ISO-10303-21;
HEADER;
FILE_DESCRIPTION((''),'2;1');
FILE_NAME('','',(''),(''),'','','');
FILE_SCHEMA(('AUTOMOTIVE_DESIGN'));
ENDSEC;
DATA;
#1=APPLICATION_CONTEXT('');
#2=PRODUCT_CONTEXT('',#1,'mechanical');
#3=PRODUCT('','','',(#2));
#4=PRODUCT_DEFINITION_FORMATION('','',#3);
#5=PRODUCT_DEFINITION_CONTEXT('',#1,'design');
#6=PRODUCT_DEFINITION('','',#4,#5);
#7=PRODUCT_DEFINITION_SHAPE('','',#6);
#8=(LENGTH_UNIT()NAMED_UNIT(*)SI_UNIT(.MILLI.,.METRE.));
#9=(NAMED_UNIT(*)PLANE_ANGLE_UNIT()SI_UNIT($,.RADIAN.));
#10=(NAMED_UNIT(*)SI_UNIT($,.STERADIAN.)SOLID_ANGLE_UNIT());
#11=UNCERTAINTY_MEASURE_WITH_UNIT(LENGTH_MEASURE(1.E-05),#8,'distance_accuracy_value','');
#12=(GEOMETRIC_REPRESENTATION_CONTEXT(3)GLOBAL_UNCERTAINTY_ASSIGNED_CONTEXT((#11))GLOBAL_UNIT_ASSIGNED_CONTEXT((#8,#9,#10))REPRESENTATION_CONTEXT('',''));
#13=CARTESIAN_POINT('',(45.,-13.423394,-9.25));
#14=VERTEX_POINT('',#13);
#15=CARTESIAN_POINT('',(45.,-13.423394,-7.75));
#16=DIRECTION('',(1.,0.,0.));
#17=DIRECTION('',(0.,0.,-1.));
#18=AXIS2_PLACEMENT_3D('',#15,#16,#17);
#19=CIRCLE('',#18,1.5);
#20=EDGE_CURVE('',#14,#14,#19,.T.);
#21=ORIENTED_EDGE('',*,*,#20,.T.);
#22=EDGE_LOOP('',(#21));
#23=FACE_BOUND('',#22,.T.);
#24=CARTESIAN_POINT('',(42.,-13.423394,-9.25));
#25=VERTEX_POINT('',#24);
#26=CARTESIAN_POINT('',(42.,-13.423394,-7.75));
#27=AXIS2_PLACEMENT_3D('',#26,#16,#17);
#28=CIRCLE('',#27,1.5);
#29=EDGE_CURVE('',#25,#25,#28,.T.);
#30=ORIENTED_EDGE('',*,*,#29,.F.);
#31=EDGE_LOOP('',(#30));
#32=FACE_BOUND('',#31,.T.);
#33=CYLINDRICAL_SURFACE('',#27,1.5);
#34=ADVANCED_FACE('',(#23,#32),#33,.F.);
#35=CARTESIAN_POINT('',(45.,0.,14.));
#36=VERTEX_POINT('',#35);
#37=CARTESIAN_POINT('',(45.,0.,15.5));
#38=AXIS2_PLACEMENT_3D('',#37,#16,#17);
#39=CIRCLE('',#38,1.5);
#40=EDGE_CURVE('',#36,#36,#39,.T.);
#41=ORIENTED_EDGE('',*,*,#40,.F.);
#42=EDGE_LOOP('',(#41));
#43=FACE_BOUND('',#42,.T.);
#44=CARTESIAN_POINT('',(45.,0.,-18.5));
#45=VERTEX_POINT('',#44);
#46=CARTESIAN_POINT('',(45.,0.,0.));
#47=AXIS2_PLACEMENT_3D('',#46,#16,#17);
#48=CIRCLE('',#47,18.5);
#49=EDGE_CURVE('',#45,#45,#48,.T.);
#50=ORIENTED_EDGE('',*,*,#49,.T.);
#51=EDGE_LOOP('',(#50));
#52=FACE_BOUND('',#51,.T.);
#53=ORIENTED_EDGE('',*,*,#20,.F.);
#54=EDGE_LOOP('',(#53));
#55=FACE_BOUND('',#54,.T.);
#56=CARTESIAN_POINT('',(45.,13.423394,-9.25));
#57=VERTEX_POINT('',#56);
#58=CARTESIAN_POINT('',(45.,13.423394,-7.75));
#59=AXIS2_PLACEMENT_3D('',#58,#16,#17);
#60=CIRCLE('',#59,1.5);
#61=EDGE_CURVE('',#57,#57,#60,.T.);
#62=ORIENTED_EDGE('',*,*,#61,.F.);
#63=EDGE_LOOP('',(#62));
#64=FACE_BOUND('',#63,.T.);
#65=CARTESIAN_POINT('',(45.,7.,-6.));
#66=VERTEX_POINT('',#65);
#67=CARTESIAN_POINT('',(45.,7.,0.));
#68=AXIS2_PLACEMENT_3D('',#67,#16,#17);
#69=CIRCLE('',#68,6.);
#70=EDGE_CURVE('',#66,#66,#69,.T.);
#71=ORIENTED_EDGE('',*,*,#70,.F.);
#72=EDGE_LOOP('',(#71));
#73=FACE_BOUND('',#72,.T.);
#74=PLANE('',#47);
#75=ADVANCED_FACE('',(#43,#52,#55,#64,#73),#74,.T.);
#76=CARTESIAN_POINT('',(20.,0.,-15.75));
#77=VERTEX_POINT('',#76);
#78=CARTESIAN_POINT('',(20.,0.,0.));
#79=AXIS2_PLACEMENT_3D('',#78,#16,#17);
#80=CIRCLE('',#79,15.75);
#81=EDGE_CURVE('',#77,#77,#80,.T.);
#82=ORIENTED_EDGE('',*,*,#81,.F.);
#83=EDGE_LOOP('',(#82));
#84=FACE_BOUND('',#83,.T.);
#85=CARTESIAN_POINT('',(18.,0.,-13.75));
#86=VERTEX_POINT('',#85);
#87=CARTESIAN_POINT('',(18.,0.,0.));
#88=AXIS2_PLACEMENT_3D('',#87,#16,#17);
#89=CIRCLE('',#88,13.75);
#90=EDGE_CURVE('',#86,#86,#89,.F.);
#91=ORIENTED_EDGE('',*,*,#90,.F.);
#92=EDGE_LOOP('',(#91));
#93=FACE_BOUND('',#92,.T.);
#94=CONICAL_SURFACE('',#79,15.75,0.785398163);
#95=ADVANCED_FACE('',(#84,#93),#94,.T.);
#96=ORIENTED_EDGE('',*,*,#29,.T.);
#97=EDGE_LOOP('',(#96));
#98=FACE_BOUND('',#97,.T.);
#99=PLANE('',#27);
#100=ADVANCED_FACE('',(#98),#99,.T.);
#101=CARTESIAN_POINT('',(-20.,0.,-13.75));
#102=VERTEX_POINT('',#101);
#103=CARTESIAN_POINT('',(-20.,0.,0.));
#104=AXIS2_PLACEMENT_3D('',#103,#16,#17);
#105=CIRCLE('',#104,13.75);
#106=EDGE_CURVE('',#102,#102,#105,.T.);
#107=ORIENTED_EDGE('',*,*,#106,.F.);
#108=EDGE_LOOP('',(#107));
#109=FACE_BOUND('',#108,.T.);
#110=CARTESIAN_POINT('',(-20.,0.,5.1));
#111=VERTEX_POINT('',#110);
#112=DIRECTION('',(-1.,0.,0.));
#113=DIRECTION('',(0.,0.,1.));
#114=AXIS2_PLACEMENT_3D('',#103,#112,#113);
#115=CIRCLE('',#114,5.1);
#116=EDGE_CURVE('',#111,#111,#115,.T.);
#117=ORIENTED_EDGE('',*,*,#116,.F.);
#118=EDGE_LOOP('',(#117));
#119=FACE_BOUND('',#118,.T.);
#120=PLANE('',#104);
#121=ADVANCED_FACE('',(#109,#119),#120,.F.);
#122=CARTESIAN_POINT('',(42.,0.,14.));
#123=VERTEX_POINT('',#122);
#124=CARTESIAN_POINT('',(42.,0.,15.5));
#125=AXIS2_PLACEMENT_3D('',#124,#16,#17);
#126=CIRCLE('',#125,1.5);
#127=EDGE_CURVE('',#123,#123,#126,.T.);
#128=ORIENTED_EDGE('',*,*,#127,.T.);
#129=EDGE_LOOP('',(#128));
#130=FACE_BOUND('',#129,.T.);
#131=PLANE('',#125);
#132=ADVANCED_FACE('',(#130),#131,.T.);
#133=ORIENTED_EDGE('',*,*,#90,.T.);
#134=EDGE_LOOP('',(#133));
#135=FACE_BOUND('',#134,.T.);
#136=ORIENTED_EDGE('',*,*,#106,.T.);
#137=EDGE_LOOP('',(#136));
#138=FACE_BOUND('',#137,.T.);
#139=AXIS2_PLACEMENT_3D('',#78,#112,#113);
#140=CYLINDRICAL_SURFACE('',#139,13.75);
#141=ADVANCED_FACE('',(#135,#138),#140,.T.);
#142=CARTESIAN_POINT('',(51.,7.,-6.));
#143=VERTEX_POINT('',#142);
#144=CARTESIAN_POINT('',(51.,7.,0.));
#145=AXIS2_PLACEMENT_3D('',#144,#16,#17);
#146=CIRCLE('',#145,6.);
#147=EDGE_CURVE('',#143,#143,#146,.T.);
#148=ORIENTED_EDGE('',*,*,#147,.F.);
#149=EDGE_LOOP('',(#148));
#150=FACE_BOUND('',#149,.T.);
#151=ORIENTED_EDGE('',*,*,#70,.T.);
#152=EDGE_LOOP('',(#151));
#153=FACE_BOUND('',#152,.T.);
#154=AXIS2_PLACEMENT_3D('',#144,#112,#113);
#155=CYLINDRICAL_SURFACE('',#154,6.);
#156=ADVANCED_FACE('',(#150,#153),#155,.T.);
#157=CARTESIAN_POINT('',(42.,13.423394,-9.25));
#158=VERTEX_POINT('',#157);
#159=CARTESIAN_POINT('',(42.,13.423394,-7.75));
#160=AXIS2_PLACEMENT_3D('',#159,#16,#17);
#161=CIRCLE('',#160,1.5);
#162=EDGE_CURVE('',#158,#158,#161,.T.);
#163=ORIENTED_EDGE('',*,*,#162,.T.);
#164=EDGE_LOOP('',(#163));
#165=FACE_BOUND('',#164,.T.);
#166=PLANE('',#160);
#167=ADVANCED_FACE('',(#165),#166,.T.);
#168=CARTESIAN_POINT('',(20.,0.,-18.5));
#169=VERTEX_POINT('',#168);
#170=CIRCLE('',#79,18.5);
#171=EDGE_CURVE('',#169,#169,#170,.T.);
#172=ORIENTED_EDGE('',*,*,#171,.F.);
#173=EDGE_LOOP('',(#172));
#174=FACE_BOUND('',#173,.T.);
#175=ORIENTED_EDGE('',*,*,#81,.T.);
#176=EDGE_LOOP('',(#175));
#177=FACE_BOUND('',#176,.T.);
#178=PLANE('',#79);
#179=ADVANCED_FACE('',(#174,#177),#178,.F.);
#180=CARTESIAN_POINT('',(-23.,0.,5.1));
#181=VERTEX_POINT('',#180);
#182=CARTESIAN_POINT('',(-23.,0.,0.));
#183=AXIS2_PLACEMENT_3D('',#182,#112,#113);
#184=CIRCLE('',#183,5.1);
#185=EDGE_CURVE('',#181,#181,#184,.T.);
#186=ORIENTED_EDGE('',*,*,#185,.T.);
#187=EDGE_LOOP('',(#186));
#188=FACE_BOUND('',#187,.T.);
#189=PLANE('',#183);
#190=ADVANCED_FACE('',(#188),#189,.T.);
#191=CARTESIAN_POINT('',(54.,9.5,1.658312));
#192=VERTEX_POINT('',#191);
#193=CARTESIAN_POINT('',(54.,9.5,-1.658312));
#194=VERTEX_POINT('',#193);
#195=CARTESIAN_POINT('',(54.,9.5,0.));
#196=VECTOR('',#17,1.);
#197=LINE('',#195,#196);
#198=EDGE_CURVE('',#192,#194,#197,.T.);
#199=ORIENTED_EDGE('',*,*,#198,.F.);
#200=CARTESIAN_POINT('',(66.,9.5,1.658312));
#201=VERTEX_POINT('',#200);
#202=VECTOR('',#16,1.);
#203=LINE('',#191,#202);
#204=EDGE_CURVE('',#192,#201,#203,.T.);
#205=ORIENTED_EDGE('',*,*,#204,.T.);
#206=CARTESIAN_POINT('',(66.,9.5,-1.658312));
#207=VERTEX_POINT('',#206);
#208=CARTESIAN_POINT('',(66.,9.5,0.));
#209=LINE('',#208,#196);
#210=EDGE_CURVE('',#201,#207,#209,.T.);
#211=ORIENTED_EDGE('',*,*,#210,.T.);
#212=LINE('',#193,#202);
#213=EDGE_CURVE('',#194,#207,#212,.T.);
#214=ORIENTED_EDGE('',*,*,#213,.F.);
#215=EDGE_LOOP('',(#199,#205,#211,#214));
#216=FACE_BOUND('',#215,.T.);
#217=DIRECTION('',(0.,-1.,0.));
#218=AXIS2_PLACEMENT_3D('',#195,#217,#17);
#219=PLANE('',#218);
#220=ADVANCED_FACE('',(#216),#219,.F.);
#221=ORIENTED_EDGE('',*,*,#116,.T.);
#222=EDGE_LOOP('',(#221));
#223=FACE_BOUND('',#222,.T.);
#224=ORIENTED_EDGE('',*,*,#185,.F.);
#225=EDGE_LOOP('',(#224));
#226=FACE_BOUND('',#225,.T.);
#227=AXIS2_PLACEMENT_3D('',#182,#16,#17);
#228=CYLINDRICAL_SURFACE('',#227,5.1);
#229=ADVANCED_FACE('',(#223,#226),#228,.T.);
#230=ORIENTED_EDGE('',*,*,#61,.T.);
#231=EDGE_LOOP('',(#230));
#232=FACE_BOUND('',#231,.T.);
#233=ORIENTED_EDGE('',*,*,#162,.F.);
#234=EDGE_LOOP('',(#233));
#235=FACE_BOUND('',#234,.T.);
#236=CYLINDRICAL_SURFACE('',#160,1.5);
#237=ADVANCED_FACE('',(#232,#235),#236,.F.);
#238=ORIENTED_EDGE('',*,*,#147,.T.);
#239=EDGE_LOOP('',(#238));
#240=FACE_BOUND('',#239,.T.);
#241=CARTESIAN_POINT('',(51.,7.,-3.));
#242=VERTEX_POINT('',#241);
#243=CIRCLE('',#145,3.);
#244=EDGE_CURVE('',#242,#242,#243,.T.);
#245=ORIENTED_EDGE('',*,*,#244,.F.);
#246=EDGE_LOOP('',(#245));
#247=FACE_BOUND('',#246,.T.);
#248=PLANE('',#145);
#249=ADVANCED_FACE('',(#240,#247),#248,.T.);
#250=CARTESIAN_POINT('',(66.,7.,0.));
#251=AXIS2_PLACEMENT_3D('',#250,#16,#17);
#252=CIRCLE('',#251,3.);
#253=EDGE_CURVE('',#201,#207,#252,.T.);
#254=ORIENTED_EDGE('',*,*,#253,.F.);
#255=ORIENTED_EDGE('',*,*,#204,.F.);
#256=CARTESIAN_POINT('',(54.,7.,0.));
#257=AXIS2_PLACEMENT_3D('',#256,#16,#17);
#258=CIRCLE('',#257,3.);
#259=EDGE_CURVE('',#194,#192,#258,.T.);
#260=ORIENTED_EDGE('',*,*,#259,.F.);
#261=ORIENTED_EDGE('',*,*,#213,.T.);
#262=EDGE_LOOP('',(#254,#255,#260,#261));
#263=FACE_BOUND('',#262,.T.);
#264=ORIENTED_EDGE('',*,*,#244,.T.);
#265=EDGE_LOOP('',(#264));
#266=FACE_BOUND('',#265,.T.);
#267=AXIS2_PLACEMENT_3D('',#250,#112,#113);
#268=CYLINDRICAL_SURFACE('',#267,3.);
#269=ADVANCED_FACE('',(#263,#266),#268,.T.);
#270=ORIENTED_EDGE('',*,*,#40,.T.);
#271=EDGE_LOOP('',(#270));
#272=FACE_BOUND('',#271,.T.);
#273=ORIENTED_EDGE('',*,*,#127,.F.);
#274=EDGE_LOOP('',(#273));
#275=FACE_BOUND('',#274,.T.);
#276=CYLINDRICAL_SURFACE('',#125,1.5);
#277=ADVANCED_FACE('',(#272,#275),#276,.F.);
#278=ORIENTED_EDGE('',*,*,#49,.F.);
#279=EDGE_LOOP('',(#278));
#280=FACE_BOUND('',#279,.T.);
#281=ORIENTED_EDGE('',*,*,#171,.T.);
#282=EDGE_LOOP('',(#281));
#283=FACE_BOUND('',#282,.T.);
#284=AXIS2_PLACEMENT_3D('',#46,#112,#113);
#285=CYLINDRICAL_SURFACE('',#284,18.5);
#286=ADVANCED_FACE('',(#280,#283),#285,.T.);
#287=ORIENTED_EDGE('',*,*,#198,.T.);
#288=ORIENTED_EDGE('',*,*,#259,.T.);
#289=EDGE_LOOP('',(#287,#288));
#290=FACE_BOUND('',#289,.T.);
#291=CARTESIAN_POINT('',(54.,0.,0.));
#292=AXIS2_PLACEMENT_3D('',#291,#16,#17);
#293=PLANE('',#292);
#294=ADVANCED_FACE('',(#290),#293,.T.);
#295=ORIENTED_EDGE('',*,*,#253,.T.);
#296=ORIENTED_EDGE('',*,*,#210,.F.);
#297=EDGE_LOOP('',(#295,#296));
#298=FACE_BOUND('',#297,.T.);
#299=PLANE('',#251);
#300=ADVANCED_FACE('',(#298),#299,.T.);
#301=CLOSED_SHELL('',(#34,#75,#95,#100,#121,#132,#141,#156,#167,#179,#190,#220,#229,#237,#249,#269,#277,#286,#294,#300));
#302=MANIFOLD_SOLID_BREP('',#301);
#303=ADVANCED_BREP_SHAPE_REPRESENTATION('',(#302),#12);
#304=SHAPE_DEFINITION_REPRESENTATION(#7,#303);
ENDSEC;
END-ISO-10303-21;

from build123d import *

# Parameters (mm, degrees)
SKETCH_1_R          = 13.75
EXTRUDE_1_DEPTH     = 20
SKETCH_2_R          = 5.1
EXTRUDE_2_DEPTH     = 3
SKETCH_3_R          = 18.5
EXTRUDE_3_DEPTH     = 25
SKETCH_4_R          = 6
EXTRUDE_4_DEPTH     = 6
SKETCH_5_R          = 3
EXTRUDE_5_DEPTH     = 15
CUT_EXTRUDE_1_DEPTH = 12
SKETCH_7_R          = 1.5
CUT_EXTRUDE_2_DEPTH = 3
CHAMFER_1_SIZE      = 2


with BuildPart() as part:
    # ｽｹｯﾁ1 → ﾎﾞｽ - 押し出し1 (new body, symmetric)
    with BuildSketch(Plane(origin=(0, 0, 0), x_dir=(0, 0, -1), z_dir=(1, 0, 0))):
        Circle(SKETCH_1_R)
    extrude(amount=EXTRUDE_1_DEPTH, both=True)

    # ｽｹｯﾁ2 → ﾎﾞｽ - 押し出し2 (add)
    with BuildSketch(Plane.ZY.offset(20)):
        Circle(SKETCH_2_R)
    extrude(amount=EXTRUDE_2_DEPTH)

    # ｽｹｯﾁ3 → ﾎﾞｽ - 押し出し3 (add)
    with BuildSketch(Plane(origin=(20, 0, 0), x_dir=(0, 0, -1), z_dir=(1, 0, 0))):
        Circle(SKETCH_3_R)
    extrude(amount=EXTRUDE_3_DEPTH)

    # ｽｹｯﾁ4 → ﾎﾞｽ - 押し出し4 (add)
    with BuildSketch(Plane(origin=(45, 0, 0), x_dir=(0, 0, -1), z_dir=(1, 0, 0))):
        with Locations((0, 7)):
            Circle(SKETCH_4_R)
    extrude(amount=EXTRUDE_4_DEPTH)

    # ｽｹｯﾁ5 → ﾎﾞｽ - 押し出し5 (add)
    with BuildSketch(Plane(origin=(51, 0, 0), x_dir=(0, 0, -1), z_dir=(1, 0, 0))):
        with Locations((0, 7)):
            Circle(SKETCH_5_R)
    extrude(amount=EXTRUDE_5_DEPTH)

    # ｽｹｯﾁ6 → ｶｯﾄ - 押し出し1 (cut)
    with BuildSketch(Plane(origin=(66, 0, 0), x_dir=(0, 0, -1), z_dir=(1, 0, 0))):
        Polygon((-80.661429966, 9.5), (-1.658312395, 9.5), (1.658312395, 9.5), (80.661429966, 9.5), (80.661429966, 167.506235142), (-80.661429966, 167.506235142), align=None)
    extrude(amount=-CUT_EXTRUDE_1_DEPTH, mode=Mode.SUBTRACT)

    # ｽｹｯﾁ7 → ｶｯﾄ - 押し出し2 (cut)
    with BuildSketch(Plane(origin=(45, 0, 0), x_dir=(0, 0, -1), z_dir=(1, 0, 0))):
        with Locations((-15.5, 0)):
            Circle(SKETCH_7_R)
        with Locations((7.75, 13.423393759)):
            Circle(SKETCH_7_R)
        with Locations((7.75, -13.423393759)):
            Circle(SKETCH_7_R)
    extrude(amount=-CUT_EXTRUDE_2_DEPTH, mode=Mode.SUBTRACT)

    # 面取り1
    chamfer_1_edges = [part.edges().sort_by_distance(p)[0] for p in [
        (20, 0, 13.75),
    ]]
    chamfer(chamfer_1_edges, length=CHAMFER_1_SIZE)


solid = part.part
